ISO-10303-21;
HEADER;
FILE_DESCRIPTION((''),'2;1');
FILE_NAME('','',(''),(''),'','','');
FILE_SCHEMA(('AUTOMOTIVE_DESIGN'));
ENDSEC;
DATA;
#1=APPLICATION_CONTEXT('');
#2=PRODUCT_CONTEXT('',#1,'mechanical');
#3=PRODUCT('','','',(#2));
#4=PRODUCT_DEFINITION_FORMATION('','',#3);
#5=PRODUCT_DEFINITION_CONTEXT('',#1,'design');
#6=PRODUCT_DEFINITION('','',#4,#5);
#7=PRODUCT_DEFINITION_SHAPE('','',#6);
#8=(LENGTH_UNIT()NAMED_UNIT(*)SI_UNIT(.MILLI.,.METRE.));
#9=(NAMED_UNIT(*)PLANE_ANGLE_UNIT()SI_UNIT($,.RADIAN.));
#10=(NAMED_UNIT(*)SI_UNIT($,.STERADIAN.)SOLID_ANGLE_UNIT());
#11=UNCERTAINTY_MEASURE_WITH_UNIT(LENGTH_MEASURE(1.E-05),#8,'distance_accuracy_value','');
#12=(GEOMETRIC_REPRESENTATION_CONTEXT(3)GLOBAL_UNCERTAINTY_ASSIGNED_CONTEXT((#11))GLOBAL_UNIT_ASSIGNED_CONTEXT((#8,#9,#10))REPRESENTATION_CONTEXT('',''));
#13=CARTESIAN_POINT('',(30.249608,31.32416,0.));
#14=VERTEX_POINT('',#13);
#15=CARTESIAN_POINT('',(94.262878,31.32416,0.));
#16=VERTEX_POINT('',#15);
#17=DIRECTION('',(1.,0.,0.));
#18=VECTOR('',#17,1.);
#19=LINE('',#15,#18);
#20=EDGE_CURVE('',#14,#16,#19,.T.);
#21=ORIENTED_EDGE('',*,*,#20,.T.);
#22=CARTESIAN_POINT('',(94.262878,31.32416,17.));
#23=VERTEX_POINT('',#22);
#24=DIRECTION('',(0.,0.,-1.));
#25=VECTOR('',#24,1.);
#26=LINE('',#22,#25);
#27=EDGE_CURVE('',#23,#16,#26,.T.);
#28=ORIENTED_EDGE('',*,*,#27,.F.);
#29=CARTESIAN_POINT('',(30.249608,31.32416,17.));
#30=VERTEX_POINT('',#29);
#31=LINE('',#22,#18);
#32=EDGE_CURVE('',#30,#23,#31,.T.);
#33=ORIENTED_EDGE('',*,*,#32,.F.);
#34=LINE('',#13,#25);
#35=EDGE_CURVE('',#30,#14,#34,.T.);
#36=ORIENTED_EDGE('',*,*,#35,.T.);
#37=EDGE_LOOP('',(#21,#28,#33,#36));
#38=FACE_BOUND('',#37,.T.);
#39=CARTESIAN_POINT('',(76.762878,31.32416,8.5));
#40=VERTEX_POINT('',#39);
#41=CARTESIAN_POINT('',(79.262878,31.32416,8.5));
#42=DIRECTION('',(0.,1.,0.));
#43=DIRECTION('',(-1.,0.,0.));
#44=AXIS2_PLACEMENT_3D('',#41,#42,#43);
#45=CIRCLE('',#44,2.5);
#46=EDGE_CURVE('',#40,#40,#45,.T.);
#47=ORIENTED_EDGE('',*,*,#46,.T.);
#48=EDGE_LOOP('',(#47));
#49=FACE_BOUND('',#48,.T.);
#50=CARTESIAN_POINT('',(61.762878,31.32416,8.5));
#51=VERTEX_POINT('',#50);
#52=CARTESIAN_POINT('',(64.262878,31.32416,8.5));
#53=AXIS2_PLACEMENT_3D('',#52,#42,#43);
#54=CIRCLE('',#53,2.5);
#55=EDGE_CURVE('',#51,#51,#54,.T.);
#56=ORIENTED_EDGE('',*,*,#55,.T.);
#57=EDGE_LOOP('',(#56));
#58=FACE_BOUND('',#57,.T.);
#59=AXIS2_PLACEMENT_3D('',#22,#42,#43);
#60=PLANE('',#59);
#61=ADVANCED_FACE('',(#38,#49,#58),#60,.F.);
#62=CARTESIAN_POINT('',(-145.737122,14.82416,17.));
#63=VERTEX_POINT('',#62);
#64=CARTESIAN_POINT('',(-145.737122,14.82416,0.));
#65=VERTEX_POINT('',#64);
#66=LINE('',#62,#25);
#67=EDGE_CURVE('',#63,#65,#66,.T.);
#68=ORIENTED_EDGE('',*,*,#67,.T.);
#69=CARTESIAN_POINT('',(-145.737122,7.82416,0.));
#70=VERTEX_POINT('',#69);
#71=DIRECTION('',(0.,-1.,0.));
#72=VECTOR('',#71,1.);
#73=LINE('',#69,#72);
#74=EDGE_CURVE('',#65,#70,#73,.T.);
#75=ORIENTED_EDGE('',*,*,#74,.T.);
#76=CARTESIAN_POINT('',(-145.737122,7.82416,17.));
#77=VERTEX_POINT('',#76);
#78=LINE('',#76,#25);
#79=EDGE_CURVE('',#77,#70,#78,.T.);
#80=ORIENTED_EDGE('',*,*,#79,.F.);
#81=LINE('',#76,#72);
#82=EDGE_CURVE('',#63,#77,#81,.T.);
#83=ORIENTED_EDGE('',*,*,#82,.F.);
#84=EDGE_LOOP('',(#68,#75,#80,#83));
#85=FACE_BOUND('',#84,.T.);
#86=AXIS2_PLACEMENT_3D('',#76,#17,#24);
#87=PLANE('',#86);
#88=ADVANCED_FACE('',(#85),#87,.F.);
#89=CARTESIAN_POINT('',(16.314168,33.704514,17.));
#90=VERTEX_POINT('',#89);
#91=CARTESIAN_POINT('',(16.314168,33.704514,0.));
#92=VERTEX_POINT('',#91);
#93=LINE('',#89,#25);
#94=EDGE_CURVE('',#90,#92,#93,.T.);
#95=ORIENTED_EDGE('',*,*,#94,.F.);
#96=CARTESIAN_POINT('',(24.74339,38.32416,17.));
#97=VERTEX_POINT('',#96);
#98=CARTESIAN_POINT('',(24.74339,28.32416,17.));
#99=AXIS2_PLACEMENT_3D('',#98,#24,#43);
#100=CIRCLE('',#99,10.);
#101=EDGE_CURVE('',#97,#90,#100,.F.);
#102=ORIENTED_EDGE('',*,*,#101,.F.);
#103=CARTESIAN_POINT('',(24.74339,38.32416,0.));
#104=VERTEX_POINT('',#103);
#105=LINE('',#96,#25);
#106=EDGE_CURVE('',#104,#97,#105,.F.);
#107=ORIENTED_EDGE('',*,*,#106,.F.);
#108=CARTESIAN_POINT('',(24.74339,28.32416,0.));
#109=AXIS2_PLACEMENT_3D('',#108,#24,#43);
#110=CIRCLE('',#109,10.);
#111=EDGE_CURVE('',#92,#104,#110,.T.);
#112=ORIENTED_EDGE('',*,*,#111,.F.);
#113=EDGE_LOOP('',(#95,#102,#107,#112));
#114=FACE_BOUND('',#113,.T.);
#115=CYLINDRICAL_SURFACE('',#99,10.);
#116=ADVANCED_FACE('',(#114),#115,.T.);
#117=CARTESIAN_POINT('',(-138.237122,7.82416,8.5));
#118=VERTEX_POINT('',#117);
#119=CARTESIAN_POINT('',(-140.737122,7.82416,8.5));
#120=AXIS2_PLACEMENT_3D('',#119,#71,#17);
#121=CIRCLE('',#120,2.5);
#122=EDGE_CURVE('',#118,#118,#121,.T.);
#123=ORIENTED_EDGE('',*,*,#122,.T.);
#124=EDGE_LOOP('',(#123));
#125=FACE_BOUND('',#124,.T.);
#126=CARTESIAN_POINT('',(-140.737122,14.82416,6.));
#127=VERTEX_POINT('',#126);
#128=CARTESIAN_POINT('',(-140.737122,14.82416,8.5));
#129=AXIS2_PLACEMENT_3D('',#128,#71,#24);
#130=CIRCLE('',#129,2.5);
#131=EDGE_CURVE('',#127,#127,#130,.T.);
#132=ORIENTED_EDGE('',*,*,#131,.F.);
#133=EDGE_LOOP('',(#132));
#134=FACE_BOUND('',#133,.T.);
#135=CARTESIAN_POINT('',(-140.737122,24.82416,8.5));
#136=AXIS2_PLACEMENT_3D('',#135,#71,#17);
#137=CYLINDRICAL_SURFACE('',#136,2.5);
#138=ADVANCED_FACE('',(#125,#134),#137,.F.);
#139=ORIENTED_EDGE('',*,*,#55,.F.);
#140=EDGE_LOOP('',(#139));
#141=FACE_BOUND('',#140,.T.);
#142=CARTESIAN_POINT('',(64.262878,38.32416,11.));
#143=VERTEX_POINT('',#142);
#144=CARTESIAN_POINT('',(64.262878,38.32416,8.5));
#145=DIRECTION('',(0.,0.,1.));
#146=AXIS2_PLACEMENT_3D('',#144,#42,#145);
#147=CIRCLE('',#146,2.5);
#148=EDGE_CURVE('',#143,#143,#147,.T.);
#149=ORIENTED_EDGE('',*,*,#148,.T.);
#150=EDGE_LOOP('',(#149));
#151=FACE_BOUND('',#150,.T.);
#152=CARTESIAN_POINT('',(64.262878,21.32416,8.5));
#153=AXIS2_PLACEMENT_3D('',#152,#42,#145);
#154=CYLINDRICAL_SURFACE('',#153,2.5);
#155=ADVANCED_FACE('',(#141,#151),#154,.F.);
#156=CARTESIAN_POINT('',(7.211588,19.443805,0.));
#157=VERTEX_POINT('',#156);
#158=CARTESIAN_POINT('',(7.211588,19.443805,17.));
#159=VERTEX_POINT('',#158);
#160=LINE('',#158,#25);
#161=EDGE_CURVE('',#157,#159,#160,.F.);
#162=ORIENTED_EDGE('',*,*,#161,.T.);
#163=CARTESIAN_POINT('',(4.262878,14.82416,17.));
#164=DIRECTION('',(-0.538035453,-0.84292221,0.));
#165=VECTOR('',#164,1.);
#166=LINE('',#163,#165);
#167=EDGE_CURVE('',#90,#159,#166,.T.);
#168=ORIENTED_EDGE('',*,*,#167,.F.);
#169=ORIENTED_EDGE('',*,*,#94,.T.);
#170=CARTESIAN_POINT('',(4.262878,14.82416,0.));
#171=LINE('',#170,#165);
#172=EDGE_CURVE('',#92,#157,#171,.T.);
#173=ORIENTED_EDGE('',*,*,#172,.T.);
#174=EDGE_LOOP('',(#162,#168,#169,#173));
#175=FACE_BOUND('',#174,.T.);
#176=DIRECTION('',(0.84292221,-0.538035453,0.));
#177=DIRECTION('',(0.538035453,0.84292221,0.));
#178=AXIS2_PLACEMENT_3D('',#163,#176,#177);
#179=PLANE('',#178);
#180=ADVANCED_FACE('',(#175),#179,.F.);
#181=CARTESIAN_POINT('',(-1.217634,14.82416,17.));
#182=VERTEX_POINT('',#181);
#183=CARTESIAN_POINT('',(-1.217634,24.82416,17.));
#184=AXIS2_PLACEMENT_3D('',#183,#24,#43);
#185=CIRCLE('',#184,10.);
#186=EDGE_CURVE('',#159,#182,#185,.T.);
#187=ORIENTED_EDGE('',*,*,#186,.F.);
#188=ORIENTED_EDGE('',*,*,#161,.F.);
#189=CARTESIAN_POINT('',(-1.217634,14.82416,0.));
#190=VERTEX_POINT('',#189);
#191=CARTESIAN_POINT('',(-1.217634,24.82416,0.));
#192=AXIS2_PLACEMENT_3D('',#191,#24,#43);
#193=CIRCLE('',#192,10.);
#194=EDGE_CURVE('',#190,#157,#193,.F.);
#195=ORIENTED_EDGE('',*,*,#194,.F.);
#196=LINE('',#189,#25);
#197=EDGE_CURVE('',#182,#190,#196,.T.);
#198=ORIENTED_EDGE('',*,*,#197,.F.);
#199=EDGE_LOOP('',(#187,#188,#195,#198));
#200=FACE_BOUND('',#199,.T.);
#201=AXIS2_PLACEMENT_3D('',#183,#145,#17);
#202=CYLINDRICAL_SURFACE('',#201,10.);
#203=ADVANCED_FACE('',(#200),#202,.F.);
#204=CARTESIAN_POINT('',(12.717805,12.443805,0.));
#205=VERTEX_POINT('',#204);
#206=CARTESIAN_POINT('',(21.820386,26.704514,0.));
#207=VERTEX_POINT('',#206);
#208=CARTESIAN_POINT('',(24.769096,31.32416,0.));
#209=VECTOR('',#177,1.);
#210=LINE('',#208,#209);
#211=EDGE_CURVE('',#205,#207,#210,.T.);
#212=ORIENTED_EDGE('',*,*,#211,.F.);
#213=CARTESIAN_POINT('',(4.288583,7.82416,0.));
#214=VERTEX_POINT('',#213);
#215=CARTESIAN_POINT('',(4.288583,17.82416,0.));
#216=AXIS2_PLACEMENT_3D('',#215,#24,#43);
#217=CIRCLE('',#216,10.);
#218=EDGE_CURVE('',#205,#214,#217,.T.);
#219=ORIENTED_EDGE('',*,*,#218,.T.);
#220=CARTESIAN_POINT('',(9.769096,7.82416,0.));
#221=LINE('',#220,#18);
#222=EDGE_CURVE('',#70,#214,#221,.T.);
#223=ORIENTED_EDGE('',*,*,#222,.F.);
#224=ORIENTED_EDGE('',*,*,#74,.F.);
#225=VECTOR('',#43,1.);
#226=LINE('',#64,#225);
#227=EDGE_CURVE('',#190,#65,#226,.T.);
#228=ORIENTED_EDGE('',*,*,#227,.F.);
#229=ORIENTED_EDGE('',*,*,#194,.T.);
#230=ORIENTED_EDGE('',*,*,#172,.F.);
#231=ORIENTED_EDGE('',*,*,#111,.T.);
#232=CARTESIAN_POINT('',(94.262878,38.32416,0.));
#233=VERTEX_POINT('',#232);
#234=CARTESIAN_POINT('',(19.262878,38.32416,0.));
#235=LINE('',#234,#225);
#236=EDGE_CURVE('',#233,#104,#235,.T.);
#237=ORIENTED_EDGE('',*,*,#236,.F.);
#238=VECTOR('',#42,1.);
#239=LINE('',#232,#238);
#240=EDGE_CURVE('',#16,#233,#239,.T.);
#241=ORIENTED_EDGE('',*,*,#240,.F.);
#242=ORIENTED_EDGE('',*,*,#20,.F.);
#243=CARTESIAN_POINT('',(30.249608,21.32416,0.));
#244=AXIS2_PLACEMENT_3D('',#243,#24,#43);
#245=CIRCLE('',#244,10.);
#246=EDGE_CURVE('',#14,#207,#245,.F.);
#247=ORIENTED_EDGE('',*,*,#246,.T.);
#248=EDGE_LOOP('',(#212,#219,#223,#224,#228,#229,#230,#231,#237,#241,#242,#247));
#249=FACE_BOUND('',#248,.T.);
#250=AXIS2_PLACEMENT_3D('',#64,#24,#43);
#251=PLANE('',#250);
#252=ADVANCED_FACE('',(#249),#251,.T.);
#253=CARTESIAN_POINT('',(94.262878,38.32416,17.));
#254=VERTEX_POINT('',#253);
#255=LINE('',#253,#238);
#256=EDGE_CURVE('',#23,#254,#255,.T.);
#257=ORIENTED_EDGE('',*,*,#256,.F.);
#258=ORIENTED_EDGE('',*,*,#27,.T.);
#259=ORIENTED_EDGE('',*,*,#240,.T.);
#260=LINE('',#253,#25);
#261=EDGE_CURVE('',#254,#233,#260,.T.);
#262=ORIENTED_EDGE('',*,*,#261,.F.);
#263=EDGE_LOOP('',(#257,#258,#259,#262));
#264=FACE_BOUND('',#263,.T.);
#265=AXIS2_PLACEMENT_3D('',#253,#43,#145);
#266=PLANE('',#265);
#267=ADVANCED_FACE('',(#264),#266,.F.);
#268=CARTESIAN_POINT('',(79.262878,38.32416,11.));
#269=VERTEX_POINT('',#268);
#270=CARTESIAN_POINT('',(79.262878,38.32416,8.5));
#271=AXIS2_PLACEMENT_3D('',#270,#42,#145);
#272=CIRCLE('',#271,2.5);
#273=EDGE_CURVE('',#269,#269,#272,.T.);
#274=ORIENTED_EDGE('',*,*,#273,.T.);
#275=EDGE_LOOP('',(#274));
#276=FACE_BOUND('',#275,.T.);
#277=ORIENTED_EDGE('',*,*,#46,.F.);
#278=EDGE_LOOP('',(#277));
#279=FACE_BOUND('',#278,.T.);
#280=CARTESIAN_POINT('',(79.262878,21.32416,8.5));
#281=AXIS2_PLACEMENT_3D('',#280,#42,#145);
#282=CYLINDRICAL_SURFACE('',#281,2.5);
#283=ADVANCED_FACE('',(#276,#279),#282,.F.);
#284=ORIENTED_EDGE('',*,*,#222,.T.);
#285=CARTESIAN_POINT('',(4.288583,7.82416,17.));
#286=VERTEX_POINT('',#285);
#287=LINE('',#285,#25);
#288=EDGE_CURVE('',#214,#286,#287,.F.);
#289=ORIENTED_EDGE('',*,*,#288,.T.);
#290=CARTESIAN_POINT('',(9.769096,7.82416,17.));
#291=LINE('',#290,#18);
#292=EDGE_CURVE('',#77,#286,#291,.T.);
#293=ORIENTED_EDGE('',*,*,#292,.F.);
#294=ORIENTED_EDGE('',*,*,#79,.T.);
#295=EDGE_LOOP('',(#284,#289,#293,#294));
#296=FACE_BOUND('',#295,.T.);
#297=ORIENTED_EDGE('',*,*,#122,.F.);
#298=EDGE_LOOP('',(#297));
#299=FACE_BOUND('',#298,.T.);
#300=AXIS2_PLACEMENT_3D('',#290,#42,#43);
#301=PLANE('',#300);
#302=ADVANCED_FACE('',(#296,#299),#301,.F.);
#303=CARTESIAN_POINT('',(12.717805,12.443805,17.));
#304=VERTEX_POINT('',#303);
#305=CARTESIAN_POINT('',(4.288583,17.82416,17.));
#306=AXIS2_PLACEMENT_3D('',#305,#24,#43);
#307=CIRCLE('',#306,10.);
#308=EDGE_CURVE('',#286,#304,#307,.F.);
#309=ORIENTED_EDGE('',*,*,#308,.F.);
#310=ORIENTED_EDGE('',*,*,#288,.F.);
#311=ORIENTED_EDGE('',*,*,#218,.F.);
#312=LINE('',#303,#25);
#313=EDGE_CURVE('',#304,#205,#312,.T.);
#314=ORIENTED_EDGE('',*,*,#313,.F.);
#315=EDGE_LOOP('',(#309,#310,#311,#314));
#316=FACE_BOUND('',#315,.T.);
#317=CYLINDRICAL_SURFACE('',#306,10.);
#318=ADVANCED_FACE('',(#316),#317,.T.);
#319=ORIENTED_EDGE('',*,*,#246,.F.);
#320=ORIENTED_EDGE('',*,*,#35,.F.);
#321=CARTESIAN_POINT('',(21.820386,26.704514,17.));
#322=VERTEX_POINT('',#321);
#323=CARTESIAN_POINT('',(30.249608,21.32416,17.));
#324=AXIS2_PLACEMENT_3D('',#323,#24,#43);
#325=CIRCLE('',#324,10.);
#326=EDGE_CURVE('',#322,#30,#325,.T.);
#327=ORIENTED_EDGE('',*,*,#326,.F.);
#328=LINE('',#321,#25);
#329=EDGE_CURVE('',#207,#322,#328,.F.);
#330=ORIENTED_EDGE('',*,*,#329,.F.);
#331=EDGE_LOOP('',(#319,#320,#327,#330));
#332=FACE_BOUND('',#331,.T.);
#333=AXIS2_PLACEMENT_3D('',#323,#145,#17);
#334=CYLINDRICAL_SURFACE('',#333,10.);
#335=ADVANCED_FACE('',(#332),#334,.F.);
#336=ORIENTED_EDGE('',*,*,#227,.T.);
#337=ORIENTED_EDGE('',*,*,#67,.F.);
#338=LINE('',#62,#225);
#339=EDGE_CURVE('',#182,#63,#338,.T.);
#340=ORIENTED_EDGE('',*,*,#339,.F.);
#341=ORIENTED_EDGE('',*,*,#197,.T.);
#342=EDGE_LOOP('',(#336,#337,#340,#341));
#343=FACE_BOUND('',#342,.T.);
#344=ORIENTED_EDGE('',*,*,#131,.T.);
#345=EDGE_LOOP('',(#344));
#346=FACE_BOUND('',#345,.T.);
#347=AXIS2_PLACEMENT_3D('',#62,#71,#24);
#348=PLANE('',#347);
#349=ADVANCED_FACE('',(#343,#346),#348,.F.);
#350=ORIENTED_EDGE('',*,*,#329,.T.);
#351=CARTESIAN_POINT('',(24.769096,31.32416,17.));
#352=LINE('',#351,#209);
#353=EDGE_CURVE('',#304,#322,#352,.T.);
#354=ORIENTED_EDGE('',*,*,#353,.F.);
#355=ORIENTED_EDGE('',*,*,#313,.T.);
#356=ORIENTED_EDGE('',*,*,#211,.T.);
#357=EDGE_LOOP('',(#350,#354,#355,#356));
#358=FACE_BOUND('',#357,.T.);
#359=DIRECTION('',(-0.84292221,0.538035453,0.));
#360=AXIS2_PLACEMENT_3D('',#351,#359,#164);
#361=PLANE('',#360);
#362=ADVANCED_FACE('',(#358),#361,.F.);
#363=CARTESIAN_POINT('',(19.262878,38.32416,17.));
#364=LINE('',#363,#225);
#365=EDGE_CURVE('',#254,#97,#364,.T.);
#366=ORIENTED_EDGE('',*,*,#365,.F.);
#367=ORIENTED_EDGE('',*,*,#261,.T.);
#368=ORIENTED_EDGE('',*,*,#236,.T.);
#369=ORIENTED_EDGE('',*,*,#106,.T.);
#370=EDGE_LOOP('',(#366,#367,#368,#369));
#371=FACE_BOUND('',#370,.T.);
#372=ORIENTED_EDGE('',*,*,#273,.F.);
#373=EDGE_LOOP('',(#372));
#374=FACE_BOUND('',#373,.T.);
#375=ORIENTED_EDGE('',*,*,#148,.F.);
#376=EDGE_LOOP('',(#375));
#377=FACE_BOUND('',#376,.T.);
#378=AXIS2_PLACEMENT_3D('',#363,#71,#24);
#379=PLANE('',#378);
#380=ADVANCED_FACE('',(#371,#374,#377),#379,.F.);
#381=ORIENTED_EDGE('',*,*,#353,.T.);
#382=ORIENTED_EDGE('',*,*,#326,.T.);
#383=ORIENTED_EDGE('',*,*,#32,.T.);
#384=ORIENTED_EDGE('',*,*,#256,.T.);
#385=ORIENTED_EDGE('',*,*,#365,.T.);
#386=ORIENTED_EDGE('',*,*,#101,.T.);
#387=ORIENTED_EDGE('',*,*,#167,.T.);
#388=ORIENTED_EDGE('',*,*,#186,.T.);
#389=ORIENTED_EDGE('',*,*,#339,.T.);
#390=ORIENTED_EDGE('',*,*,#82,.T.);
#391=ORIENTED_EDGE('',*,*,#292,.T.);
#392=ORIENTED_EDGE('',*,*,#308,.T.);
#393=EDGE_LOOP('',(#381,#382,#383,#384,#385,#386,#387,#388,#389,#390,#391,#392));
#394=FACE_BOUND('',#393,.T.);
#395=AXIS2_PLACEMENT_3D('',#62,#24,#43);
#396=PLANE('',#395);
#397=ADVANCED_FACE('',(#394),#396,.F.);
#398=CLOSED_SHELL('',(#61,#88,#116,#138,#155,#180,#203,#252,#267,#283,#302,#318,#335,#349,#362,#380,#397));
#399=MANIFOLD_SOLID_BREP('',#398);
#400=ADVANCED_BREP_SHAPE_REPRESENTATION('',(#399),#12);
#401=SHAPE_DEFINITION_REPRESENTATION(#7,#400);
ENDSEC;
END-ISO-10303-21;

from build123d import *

# Parameters (mm, degrees)
EXTRUDE1_DEPTH = 17
FILLET1_R      = 10
SKETCH2_R      = 2.5
EXTRUDE2_DEPTH = 17
SKETCH3_R      = 2.5
EXTRUDE3_DEPTH = 17


with BuildPart() as part:
    # Sketch1 → Extrude1 (new body)
    with BuildSketch(Plane.XY):
        Polygon((-145.737121951, 14.824159554), (4.262878049, 14.824159554), (19.262878049, 38.324159554), (94.262878049, 38.324159554), (94.262878049, 31.324159554), (24.769095529, 31.324159554), (9.769095529, 7.824159554), (-145.737121951, 7.824159554), align=None)
    extrude(amount=EXTRUDE1_DEPTH)

    # Fillet1
    fillet1_edges = [part.edges().sort_by_distance(p)[0] for p in [
        (4.262878049, 14.824159554, 8.5),
        (19.262878049, 38.324159554, 8.5),
        (24.769095529, 31.324159554, 8.5),
        (9.769095529, 7.824159554, 8.5),
    ]]
    fillet(fillet1_edges, radius=FILLET1_R)

    # Sketch2 → Extrude2 (cut)
    with BuildSketch(Plane(origin=(0, 38.324159554, 0), x_dir=(1, 0, 0), z_dir=(0, 1, 0))):
        with Locations((79.262878049, -8.5)):
            Circle(SKETCH2_R)
        with Locations((64.262878049, -8.5)):
            Circle(SKETCH2_R)
    extrude(amount=-EXTRUDE2_DEPTH, mode=Mode.SUBTRACT)

    # Sketch3 → Extrude3 (cut)
    with BuildSketch(Plane.XZ.offset(-7.824159554)):
        with Locations((-140.737121951, 8.5)):
            Circle(SKETCH3_R)
    extrude(amount=-EXTRUDE3_DEPTH, mode=Mode.SUBTRACT)


solid = part.part
